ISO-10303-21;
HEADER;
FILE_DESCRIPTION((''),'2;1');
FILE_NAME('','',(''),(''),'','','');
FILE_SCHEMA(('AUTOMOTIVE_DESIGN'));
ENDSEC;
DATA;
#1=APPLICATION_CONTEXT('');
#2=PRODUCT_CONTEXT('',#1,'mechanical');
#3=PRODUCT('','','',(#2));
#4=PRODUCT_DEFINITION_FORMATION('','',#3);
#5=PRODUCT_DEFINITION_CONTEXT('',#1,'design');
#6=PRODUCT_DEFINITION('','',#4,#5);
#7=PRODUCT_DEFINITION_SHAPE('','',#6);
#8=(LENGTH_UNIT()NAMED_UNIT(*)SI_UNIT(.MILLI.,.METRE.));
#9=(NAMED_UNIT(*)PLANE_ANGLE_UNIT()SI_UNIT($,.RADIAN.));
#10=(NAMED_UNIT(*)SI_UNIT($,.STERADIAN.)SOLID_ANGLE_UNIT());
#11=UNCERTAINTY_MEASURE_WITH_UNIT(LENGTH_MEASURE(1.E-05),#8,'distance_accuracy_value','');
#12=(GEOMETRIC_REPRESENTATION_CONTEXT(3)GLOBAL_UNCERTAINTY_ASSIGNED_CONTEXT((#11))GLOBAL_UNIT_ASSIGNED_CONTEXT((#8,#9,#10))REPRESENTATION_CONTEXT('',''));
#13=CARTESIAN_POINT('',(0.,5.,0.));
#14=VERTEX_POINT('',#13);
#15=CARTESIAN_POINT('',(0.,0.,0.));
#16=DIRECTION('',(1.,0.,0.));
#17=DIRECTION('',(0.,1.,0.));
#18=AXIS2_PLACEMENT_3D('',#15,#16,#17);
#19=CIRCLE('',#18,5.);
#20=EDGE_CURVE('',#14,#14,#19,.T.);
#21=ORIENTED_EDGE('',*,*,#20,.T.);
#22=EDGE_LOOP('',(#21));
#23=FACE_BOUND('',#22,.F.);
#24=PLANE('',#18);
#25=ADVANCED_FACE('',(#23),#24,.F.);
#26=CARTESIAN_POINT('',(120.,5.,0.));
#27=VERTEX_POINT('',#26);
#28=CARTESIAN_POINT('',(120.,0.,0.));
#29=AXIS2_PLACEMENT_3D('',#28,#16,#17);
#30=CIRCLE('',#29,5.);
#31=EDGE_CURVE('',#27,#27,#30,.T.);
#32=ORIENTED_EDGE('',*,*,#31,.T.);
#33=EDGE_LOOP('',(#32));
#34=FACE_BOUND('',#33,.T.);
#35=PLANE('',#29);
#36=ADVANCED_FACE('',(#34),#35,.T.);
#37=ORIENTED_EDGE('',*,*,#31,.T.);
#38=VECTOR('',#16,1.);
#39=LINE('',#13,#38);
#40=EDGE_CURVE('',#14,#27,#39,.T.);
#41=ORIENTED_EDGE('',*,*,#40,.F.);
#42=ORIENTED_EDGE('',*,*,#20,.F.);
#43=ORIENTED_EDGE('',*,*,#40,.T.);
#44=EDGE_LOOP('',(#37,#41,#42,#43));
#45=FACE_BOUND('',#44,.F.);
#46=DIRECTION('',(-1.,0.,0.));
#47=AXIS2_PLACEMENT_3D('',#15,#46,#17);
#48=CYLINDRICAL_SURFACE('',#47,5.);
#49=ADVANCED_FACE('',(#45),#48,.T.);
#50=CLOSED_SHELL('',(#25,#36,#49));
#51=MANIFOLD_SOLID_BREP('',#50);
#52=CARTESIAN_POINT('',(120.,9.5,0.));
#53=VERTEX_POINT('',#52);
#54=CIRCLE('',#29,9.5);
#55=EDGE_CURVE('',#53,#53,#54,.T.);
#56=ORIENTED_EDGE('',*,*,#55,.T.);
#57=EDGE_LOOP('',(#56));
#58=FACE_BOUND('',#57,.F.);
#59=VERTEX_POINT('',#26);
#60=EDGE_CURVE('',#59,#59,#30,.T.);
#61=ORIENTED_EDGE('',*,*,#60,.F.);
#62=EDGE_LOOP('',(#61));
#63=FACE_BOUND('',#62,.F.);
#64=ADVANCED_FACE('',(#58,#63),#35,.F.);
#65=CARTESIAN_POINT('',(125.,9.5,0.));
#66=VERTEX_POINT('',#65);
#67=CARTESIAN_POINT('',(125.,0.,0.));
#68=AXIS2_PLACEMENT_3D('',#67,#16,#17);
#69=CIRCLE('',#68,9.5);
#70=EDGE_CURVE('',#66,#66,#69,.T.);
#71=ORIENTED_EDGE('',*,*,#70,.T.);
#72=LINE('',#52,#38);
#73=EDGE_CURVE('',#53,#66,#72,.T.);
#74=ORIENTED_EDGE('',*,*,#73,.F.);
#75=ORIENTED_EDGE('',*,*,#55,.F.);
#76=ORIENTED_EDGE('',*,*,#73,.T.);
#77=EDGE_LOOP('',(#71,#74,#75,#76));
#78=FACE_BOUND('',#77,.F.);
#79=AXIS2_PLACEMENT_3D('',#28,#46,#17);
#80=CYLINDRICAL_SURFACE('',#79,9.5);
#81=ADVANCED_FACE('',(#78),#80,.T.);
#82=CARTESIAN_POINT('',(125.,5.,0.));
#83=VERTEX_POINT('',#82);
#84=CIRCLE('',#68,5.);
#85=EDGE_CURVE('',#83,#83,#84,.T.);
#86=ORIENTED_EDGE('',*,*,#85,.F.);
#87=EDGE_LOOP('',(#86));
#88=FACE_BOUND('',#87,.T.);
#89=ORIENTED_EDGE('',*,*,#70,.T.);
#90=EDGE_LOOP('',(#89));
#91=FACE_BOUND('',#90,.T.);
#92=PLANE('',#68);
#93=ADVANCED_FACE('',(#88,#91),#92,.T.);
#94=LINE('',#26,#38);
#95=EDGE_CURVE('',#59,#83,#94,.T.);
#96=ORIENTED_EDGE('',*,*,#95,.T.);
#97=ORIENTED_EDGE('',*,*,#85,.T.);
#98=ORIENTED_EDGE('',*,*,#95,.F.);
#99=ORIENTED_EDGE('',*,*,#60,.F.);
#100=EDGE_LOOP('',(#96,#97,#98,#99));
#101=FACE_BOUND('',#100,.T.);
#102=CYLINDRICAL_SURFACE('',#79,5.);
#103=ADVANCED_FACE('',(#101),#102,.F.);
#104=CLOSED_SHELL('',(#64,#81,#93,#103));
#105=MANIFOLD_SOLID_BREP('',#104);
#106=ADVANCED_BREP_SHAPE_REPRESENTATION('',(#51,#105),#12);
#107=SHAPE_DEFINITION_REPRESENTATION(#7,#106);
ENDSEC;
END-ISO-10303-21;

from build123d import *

# Parameters (mm, degrees)
F0_R     = 5
F1_DEPTH = 120
F2_R     = 9.5
F2_R_2   = 5
F3_DEPTH = 5


with BuildPart() as f1:
    # F0 (on Right) → F1 (new body)
    with BuildSketch(Plane.YZ):
        Circle(F0_R)
    extrude(amount=F1_DEPTH)


with BuildPart() as f3:
    # F2 (on face) → F3 (new body)
    with BuildSketch(Plane.YZ.offset(120)):
        Circle(F2_R)
        Circle(F2_R_2, mode=Mode.SUBTRACT)
    extrude(amount=F3_DEPTH)


solid = Compound([f1.part, f3.part])
